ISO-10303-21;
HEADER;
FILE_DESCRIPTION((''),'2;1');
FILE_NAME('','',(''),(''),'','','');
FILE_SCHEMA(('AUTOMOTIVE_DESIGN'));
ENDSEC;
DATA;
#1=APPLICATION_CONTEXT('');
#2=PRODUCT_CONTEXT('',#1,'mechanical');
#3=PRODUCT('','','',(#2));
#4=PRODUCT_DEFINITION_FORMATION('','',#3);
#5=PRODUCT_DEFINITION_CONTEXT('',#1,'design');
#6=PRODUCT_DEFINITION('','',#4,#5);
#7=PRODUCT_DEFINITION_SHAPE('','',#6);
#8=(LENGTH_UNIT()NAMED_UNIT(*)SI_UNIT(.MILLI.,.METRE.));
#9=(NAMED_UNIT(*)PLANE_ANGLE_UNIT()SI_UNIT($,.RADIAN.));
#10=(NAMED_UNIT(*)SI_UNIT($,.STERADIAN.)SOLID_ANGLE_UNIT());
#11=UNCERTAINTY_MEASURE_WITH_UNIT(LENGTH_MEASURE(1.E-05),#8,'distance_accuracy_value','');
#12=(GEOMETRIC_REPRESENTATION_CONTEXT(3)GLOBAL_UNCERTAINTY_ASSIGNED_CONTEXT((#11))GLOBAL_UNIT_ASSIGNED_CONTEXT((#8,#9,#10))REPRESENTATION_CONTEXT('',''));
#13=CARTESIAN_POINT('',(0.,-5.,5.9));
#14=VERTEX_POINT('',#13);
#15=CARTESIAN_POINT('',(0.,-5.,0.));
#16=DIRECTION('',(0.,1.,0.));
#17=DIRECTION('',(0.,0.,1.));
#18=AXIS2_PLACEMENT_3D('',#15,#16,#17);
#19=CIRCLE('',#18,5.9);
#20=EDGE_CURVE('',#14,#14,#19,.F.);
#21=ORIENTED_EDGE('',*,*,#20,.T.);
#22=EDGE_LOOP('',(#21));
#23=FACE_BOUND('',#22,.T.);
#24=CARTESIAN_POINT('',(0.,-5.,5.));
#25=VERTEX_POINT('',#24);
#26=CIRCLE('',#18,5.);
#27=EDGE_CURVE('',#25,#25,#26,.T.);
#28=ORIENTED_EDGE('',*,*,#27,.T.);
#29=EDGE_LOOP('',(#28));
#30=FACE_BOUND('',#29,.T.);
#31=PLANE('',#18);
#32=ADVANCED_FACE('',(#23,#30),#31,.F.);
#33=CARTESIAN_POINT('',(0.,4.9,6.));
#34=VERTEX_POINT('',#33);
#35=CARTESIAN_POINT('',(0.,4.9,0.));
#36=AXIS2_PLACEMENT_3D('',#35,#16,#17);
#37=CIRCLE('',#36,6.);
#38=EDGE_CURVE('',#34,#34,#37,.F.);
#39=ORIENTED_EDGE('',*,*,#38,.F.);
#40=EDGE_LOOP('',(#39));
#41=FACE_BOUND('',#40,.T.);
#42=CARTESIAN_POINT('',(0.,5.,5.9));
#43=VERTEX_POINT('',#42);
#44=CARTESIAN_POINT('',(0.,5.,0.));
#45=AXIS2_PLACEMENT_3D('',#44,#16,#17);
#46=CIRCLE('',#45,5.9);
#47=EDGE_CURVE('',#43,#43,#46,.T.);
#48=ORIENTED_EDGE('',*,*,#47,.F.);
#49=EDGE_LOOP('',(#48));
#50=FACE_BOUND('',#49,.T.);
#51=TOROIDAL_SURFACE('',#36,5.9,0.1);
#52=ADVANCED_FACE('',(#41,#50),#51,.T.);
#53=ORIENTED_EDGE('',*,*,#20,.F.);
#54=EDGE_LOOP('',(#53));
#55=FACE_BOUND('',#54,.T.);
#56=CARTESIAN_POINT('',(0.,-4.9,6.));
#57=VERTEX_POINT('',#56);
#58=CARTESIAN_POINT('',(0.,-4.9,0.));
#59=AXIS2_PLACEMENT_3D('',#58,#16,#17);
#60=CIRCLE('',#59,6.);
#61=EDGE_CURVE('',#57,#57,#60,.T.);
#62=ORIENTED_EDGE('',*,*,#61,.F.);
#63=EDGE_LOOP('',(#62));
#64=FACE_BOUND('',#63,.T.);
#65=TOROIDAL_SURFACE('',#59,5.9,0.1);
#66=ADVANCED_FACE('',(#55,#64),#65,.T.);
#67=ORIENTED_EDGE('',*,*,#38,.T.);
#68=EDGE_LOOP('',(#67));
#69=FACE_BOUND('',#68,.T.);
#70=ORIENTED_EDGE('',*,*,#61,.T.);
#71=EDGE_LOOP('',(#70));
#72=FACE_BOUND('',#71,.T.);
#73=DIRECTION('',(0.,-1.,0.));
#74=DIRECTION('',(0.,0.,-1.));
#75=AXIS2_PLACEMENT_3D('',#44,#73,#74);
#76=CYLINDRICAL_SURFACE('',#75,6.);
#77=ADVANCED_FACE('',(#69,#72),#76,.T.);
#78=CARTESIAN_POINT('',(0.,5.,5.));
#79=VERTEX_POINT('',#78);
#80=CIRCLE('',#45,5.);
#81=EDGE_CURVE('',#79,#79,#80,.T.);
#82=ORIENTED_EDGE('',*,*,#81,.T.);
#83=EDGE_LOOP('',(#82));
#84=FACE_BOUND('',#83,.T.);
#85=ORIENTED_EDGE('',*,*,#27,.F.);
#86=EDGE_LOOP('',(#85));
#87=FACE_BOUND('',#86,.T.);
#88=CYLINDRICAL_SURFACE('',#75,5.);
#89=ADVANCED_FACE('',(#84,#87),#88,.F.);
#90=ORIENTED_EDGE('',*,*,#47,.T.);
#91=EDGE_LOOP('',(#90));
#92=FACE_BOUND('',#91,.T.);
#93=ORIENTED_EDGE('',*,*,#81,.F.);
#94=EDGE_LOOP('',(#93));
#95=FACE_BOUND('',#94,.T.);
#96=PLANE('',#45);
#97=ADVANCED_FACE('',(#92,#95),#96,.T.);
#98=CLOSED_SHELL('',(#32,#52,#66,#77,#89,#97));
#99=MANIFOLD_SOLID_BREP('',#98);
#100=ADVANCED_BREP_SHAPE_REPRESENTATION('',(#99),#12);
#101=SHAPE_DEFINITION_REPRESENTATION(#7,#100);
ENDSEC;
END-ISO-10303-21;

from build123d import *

# Parameters (mm, degrees)
SKIZZE1_R                       = 6
SKIZZE1_R_2                     = 5
AUFSATZ_LINEAR_AUSTRAGEN1_DEPTH = 5
VERRUNDUNG1_R                   = 0.1


with BuildPart() as part:
    # Skizze1 → Aufsatz-Linear austragen1 (new, symmetric)
    with BuildSketch(Plane(origin=(0, 0, 0), x_dir=(1, 0, 0), z_dir=(0, 1, 0))):
        with Locations(Location((0, 0, 0), (0, 0, 270))):
            Circle(SKIZZE1_R)
        with Locations(Location((0, 0, 0), (0, 0, 270))):
            Circle(SKIZZE1_R_2, mode=Mode.SUBTRACT)
    extrude(amount=AUFSATZ_LINEAR_AUSTRAGEN1_DEPTH, both=True)

    # Verrundung1
    verrundung1_edges = [part.edges().sort_by_distance(p)[0] for p in [
        (0, -5, -6),
        (0, 5, -6),
    ]]
    fillet(verrundung1_edges, radius=VERRUNDUNG1_R)


solid = part.part
